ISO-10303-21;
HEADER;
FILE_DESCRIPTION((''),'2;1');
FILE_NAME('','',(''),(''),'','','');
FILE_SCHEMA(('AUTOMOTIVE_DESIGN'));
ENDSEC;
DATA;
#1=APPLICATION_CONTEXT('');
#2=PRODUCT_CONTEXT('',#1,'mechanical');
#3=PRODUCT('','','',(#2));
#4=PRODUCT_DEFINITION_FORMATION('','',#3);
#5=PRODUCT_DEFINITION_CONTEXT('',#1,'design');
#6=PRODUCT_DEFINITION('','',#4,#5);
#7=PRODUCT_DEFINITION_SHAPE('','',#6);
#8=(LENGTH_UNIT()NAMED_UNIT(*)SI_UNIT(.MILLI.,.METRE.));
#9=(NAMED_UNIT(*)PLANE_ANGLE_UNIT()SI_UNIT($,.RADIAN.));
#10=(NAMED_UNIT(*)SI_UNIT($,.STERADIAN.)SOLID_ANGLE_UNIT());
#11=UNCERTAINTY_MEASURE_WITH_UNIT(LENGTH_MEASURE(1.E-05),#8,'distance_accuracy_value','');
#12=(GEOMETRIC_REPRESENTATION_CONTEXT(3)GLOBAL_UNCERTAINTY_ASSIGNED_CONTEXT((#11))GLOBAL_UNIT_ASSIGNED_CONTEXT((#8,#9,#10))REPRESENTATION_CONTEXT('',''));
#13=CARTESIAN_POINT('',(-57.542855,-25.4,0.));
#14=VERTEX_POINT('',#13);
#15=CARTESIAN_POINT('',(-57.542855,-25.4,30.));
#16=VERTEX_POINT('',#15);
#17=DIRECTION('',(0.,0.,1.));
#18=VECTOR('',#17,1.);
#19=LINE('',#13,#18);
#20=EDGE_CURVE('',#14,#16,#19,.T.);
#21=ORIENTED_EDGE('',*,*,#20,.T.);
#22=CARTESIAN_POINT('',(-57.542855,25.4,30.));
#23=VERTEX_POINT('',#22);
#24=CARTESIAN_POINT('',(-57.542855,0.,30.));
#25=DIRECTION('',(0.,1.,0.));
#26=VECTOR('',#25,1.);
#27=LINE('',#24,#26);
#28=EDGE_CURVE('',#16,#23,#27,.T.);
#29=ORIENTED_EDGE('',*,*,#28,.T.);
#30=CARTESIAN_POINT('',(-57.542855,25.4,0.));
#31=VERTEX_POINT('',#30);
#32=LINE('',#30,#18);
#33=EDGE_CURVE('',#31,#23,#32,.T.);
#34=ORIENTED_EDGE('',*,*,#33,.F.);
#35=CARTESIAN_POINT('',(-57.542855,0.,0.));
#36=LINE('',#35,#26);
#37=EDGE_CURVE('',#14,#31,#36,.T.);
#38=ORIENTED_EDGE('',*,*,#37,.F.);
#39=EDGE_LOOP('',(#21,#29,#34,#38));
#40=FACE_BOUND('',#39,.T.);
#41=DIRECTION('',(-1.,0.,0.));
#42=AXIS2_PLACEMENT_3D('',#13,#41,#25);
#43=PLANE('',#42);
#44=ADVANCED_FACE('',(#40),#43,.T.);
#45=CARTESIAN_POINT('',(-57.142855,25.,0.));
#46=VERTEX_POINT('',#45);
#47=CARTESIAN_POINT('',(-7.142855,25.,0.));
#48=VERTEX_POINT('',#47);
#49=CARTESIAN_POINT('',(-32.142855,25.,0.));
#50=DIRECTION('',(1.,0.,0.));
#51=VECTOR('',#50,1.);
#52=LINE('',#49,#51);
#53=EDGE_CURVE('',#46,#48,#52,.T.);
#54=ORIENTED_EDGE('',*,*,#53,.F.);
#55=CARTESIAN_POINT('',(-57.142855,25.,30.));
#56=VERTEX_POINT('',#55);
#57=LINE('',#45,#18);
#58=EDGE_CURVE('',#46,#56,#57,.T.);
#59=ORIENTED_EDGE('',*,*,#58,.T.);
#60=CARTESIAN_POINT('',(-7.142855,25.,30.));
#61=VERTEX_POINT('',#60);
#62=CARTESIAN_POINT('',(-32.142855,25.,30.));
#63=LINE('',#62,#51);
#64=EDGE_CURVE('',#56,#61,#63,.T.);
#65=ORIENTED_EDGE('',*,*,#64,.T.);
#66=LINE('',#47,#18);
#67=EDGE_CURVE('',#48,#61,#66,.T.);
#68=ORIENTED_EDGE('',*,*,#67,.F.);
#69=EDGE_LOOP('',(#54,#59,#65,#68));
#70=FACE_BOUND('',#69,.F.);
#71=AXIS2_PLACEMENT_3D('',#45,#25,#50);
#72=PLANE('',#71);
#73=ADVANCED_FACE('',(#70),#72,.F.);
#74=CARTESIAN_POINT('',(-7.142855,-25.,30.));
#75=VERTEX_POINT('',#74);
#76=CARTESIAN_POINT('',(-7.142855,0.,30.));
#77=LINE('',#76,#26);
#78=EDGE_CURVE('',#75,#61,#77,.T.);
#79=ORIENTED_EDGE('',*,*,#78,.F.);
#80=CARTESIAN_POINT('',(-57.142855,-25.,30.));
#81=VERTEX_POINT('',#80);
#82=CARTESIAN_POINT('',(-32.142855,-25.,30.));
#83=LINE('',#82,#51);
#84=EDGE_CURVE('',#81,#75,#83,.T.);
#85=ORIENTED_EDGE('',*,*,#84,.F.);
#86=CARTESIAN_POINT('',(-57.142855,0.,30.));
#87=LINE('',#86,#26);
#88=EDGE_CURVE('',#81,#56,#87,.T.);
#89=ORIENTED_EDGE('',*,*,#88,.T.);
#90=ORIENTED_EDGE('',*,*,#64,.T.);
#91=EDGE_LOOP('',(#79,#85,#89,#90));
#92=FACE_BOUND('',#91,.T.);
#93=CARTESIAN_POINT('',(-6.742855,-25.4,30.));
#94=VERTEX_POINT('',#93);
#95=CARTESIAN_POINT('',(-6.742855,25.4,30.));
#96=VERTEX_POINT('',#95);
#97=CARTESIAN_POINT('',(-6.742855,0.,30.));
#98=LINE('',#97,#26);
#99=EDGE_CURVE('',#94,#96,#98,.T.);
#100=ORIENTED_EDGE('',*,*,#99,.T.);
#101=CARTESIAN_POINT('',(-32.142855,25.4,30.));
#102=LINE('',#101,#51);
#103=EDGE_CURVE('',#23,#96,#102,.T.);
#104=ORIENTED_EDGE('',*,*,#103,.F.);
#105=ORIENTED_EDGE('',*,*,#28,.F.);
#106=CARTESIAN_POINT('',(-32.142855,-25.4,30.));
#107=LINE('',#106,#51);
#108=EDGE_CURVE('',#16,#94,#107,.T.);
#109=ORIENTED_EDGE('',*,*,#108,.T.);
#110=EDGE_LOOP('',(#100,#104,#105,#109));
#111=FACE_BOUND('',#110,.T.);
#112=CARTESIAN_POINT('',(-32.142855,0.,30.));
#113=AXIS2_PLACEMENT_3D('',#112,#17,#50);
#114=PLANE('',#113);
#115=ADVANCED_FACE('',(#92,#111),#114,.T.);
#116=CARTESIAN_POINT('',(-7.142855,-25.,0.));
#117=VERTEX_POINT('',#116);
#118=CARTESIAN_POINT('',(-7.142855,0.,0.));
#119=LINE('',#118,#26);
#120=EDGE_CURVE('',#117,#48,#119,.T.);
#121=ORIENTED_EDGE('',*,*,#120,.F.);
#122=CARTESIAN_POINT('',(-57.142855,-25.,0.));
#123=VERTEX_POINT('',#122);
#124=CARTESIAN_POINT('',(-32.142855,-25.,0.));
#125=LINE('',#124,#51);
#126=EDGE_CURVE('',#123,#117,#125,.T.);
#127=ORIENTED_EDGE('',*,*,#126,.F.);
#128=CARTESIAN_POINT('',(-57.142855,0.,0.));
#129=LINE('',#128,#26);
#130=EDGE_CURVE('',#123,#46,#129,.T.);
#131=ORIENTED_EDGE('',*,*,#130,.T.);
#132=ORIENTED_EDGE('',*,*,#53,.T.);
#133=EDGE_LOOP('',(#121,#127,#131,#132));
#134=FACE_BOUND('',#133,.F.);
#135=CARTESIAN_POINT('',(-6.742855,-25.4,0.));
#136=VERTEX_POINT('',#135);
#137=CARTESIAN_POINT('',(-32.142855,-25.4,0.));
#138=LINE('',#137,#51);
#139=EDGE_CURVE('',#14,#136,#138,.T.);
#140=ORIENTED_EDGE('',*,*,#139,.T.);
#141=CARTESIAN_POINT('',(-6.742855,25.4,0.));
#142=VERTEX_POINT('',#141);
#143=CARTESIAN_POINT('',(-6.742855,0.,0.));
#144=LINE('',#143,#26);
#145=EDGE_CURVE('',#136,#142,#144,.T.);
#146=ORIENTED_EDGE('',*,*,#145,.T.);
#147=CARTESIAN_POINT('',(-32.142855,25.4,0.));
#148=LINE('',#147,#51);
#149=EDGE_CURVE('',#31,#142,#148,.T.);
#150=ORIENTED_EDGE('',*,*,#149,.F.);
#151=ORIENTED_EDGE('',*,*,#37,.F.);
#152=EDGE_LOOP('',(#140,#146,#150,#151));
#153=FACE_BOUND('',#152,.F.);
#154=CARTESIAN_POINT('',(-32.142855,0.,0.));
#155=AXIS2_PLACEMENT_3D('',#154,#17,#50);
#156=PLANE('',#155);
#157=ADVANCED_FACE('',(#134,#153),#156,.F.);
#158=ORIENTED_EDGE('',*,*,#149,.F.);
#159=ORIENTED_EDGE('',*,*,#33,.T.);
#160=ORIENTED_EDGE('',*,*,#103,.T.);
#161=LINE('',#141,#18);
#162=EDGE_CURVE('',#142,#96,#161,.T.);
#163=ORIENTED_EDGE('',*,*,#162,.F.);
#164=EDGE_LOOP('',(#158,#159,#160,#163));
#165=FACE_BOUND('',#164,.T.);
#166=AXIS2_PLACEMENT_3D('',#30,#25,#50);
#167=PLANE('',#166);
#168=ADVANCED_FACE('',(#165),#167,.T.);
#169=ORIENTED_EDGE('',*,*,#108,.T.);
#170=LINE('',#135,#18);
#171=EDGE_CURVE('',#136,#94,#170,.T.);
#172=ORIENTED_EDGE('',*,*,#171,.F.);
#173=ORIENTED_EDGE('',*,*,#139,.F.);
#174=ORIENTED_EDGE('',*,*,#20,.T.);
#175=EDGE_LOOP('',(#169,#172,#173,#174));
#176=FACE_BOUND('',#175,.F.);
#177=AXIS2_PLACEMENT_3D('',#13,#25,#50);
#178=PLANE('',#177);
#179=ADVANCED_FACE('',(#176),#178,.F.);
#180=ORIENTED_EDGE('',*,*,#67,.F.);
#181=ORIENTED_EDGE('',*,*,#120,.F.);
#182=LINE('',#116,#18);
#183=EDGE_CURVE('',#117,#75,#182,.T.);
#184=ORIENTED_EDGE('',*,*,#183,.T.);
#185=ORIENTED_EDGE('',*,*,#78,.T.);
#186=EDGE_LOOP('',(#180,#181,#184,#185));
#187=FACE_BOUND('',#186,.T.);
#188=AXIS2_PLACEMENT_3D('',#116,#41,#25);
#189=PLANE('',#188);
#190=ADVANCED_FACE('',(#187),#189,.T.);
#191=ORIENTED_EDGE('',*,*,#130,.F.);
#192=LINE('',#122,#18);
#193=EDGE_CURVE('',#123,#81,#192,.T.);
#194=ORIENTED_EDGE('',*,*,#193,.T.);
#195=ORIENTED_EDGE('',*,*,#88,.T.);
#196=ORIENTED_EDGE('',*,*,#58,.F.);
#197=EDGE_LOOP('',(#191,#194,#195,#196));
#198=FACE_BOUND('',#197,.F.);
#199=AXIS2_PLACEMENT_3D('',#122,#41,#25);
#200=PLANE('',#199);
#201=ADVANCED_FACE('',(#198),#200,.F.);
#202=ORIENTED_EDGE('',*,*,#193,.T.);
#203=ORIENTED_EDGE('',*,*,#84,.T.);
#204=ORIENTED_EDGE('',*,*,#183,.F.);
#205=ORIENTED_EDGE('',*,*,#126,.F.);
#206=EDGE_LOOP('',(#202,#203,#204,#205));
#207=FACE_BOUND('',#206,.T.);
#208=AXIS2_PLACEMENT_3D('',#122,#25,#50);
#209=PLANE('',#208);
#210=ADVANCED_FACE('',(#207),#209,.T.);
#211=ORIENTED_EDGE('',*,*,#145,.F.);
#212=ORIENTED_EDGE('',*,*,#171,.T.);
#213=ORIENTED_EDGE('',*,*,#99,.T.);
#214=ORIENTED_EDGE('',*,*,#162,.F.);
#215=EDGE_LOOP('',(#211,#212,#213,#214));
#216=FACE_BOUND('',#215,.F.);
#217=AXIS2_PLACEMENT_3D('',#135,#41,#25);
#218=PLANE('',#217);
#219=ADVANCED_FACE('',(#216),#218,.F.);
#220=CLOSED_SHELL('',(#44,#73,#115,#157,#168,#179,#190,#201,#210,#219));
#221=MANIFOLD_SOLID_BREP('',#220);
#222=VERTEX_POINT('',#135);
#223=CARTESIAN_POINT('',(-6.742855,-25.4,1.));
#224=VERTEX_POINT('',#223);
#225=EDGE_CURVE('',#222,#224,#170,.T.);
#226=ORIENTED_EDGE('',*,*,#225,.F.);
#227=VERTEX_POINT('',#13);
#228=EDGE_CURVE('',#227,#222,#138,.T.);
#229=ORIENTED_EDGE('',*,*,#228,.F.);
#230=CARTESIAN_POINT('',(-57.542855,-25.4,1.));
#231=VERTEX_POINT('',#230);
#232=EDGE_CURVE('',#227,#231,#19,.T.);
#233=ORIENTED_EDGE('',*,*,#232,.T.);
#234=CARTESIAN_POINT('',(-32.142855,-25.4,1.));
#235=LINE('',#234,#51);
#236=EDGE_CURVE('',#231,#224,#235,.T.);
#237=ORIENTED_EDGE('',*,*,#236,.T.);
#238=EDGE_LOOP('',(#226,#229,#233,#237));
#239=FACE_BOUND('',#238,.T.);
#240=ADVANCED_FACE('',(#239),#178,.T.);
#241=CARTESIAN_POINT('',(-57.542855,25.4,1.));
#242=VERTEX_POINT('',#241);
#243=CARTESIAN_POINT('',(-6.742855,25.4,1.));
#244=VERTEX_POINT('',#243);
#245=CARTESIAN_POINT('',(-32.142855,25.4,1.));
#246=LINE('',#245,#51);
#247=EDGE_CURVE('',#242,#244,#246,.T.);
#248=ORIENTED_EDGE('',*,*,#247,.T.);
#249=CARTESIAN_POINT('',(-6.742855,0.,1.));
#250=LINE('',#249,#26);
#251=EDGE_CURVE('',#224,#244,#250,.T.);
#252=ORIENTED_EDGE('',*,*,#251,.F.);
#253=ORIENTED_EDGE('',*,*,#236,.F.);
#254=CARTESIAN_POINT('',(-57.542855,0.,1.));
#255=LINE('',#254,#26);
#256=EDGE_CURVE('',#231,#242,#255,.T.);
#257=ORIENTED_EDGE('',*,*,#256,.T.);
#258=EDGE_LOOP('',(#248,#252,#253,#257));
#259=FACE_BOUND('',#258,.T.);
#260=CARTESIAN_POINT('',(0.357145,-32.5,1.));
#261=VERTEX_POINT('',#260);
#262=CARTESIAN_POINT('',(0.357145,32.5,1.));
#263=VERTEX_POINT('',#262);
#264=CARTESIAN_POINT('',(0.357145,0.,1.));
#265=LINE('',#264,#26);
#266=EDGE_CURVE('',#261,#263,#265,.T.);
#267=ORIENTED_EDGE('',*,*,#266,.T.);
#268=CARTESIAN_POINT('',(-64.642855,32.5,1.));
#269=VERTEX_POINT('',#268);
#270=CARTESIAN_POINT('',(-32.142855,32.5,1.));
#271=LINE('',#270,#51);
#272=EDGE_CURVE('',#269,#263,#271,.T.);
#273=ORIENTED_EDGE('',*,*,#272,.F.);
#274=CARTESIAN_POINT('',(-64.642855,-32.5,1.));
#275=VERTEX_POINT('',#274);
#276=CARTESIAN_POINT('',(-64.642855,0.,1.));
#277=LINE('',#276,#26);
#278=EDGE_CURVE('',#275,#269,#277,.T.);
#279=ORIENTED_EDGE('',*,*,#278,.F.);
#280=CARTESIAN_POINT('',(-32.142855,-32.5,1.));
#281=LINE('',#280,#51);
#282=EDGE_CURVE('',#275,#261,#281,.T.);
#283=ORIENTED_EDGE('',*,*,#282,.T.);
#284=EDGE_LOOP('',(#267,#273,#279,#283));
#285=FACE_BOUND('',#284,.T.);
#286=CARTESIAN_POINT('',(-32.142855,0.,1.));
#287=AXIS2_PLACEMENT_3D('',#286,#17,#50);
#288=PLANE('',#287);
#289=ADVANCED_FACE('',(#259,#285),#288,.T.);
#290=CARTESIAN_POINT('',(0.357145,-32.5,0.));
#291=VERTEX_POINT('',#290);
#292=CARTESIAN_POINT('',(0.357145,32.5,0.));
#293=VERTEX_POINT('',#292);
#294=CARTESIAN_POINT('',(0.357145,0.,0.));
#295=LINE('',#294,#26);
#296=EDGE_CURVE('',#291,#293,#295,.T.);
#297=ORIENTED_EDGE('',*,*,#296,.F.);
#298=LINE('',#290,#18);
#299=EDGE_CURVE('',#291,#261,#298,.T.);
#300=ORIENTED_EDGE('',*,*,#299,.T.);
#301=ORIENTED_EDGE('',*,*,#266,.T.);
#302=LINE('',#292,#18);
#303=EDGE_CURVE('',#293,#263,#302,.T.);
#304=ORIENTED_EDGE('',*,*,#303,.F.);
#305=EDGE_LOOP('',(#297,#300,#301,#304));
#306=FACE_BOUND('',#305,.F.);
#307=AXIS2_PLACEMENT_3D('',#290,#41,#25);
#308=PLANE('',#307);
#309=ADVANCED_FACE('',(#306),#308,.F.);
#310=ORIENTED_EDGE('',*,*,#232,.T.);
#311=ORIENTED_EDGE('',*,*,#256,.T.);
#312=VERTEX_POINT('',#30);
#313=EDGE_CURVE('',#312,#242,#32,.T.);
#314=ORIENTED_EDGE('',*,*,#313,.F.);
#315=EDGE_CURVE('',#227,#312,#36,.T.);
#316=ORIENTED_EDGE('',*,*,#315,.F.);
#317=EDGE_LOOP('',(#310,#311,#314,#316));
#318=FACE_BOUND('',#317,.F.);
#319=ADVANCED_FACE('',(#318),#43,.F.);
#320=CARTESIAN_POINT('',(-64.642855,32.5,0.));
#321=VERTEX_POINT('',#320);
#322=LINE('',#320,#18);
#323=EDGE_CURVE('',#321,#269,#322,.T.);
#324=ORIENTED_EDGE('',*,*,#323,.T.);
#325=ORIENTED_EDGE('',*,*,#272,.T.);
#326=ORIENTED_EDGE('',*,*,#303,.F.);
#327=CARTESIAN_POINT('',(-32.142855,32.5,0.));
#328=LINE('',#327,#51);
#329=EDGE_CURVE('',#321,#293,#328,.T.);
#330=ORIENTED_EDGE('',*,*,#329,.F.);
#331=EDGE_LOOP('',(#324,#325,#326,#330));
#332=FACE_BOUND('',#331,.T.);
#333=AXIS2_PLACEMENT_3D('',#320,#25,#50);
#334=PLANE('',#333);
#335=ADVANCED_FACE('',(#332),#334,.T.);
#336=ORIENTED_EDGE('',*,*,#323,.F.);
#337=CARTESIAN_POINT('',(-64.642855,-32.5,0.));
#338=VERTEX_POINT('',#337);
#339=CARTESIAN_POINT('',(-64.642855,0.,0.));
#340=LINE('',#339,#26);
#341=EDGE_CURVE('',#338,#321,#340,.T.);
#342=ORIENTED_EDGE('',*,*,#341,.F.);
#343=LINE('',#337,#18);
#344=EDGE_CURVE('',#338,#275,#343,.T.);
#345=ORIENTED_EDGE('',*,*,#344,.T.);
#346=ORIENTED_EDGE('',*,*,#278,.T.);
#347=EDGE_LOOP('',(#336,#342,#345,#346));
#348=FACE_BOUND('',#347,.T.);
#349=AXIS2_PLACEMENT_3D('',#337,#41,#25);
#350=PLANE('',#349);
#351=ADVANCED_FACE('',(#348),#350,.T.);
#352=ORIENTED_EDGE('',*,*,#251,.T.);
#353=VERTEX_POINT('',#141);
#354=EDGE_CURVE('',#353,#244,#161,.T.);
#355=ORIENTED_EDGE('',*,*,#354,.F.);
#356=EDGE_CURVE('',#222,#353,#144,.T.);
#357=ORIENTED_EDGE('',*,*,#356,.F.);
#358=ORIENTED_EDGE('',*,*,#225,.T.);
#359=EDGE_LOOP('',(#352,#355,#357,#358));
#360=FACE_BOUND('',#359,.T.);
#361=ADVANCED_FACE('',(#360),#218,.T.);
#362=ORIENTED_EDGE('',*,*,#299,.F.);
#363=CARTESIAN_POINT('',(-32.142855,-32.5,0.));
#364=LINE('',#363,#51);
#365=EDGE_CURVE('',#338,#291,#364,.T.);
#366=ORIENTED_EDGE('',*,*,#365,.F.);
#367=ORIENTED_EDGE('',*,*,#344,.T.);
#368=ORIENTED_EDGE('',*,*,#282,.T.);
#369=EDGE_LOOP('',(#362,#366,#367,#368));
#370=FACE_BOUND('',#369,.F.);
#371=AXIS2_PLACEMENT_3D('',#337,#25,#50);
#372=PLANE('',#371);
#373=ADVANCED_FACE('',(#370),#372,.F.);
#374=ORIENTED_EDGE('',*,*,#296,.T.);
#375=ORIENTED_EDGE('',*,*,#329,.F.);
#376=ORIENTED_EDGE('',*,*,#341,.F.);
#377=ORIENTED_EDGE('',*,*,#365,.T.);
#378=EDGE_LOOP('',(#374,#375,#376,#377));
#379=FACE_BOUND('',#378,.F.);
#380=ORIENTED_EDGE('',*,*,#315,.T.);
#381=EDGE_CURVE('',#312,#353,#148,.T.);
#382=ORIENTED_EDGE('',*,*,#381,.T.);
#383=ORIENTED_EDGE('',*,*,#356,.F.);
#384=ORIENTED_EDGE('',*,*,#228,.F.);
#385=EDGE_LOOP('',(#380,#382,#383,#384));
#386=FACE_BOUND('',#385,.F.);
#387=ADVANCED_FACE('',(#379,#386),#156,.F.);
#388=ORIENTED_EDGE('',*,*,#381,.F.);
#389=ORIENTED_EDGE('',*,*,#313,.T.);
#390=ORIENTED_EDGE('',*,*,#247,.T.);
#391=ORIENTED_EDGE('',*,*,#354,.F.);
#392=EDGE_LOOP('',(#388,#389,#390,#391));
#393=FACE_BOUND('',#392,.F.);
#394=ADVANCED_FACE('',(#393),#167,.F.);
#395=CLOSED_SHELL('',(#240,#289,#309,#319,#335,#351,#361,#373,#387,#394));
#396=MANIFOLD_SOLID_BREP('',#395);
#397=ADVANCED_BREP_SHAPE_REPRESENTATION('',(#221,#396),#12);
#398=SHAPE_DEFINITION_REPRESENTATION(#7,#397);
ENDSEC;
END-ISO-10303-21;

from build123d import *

# Parameters (mm, degrees)
F0_W     = 50.8
F0_H     = 50.8
F0_W_2   = 50
F0_H_2   = 50
F1_DEPTH = 30
F0_W_3   = 65
F0_H_3   = 65
F2_DEPTH = 1


with BuildPart() as f1:
    # F0 (on Top) → F1 (new body)
    with BuildSketch(Plane.XY):
        with Locations((-32.142855, 0)):
            Rectangle(F0_W, F0_H)
        with Locations((-32.142855, 0)):
            Rectangle(F0_W_2, F0_H_2, mode=Mode.SUBTRACT)
    extrude(amount=F1_DEPTH)


with BuildPart() as f2:
    # F0 (on Top) → F2 (new body)
    with BuildSketch(Plane.XY):
        with Locations((-32.142855, 0)):
            Rectangle(F0_W_3, F0_H_3)
        with Locations((-32.142855, 0)):
            Rectangle(F0_W, F0_H, mode=Mode.SUBTRACT)
    extrude(amount=F2_DEPTH)


solid = Compound([f1.part, f2.part])
